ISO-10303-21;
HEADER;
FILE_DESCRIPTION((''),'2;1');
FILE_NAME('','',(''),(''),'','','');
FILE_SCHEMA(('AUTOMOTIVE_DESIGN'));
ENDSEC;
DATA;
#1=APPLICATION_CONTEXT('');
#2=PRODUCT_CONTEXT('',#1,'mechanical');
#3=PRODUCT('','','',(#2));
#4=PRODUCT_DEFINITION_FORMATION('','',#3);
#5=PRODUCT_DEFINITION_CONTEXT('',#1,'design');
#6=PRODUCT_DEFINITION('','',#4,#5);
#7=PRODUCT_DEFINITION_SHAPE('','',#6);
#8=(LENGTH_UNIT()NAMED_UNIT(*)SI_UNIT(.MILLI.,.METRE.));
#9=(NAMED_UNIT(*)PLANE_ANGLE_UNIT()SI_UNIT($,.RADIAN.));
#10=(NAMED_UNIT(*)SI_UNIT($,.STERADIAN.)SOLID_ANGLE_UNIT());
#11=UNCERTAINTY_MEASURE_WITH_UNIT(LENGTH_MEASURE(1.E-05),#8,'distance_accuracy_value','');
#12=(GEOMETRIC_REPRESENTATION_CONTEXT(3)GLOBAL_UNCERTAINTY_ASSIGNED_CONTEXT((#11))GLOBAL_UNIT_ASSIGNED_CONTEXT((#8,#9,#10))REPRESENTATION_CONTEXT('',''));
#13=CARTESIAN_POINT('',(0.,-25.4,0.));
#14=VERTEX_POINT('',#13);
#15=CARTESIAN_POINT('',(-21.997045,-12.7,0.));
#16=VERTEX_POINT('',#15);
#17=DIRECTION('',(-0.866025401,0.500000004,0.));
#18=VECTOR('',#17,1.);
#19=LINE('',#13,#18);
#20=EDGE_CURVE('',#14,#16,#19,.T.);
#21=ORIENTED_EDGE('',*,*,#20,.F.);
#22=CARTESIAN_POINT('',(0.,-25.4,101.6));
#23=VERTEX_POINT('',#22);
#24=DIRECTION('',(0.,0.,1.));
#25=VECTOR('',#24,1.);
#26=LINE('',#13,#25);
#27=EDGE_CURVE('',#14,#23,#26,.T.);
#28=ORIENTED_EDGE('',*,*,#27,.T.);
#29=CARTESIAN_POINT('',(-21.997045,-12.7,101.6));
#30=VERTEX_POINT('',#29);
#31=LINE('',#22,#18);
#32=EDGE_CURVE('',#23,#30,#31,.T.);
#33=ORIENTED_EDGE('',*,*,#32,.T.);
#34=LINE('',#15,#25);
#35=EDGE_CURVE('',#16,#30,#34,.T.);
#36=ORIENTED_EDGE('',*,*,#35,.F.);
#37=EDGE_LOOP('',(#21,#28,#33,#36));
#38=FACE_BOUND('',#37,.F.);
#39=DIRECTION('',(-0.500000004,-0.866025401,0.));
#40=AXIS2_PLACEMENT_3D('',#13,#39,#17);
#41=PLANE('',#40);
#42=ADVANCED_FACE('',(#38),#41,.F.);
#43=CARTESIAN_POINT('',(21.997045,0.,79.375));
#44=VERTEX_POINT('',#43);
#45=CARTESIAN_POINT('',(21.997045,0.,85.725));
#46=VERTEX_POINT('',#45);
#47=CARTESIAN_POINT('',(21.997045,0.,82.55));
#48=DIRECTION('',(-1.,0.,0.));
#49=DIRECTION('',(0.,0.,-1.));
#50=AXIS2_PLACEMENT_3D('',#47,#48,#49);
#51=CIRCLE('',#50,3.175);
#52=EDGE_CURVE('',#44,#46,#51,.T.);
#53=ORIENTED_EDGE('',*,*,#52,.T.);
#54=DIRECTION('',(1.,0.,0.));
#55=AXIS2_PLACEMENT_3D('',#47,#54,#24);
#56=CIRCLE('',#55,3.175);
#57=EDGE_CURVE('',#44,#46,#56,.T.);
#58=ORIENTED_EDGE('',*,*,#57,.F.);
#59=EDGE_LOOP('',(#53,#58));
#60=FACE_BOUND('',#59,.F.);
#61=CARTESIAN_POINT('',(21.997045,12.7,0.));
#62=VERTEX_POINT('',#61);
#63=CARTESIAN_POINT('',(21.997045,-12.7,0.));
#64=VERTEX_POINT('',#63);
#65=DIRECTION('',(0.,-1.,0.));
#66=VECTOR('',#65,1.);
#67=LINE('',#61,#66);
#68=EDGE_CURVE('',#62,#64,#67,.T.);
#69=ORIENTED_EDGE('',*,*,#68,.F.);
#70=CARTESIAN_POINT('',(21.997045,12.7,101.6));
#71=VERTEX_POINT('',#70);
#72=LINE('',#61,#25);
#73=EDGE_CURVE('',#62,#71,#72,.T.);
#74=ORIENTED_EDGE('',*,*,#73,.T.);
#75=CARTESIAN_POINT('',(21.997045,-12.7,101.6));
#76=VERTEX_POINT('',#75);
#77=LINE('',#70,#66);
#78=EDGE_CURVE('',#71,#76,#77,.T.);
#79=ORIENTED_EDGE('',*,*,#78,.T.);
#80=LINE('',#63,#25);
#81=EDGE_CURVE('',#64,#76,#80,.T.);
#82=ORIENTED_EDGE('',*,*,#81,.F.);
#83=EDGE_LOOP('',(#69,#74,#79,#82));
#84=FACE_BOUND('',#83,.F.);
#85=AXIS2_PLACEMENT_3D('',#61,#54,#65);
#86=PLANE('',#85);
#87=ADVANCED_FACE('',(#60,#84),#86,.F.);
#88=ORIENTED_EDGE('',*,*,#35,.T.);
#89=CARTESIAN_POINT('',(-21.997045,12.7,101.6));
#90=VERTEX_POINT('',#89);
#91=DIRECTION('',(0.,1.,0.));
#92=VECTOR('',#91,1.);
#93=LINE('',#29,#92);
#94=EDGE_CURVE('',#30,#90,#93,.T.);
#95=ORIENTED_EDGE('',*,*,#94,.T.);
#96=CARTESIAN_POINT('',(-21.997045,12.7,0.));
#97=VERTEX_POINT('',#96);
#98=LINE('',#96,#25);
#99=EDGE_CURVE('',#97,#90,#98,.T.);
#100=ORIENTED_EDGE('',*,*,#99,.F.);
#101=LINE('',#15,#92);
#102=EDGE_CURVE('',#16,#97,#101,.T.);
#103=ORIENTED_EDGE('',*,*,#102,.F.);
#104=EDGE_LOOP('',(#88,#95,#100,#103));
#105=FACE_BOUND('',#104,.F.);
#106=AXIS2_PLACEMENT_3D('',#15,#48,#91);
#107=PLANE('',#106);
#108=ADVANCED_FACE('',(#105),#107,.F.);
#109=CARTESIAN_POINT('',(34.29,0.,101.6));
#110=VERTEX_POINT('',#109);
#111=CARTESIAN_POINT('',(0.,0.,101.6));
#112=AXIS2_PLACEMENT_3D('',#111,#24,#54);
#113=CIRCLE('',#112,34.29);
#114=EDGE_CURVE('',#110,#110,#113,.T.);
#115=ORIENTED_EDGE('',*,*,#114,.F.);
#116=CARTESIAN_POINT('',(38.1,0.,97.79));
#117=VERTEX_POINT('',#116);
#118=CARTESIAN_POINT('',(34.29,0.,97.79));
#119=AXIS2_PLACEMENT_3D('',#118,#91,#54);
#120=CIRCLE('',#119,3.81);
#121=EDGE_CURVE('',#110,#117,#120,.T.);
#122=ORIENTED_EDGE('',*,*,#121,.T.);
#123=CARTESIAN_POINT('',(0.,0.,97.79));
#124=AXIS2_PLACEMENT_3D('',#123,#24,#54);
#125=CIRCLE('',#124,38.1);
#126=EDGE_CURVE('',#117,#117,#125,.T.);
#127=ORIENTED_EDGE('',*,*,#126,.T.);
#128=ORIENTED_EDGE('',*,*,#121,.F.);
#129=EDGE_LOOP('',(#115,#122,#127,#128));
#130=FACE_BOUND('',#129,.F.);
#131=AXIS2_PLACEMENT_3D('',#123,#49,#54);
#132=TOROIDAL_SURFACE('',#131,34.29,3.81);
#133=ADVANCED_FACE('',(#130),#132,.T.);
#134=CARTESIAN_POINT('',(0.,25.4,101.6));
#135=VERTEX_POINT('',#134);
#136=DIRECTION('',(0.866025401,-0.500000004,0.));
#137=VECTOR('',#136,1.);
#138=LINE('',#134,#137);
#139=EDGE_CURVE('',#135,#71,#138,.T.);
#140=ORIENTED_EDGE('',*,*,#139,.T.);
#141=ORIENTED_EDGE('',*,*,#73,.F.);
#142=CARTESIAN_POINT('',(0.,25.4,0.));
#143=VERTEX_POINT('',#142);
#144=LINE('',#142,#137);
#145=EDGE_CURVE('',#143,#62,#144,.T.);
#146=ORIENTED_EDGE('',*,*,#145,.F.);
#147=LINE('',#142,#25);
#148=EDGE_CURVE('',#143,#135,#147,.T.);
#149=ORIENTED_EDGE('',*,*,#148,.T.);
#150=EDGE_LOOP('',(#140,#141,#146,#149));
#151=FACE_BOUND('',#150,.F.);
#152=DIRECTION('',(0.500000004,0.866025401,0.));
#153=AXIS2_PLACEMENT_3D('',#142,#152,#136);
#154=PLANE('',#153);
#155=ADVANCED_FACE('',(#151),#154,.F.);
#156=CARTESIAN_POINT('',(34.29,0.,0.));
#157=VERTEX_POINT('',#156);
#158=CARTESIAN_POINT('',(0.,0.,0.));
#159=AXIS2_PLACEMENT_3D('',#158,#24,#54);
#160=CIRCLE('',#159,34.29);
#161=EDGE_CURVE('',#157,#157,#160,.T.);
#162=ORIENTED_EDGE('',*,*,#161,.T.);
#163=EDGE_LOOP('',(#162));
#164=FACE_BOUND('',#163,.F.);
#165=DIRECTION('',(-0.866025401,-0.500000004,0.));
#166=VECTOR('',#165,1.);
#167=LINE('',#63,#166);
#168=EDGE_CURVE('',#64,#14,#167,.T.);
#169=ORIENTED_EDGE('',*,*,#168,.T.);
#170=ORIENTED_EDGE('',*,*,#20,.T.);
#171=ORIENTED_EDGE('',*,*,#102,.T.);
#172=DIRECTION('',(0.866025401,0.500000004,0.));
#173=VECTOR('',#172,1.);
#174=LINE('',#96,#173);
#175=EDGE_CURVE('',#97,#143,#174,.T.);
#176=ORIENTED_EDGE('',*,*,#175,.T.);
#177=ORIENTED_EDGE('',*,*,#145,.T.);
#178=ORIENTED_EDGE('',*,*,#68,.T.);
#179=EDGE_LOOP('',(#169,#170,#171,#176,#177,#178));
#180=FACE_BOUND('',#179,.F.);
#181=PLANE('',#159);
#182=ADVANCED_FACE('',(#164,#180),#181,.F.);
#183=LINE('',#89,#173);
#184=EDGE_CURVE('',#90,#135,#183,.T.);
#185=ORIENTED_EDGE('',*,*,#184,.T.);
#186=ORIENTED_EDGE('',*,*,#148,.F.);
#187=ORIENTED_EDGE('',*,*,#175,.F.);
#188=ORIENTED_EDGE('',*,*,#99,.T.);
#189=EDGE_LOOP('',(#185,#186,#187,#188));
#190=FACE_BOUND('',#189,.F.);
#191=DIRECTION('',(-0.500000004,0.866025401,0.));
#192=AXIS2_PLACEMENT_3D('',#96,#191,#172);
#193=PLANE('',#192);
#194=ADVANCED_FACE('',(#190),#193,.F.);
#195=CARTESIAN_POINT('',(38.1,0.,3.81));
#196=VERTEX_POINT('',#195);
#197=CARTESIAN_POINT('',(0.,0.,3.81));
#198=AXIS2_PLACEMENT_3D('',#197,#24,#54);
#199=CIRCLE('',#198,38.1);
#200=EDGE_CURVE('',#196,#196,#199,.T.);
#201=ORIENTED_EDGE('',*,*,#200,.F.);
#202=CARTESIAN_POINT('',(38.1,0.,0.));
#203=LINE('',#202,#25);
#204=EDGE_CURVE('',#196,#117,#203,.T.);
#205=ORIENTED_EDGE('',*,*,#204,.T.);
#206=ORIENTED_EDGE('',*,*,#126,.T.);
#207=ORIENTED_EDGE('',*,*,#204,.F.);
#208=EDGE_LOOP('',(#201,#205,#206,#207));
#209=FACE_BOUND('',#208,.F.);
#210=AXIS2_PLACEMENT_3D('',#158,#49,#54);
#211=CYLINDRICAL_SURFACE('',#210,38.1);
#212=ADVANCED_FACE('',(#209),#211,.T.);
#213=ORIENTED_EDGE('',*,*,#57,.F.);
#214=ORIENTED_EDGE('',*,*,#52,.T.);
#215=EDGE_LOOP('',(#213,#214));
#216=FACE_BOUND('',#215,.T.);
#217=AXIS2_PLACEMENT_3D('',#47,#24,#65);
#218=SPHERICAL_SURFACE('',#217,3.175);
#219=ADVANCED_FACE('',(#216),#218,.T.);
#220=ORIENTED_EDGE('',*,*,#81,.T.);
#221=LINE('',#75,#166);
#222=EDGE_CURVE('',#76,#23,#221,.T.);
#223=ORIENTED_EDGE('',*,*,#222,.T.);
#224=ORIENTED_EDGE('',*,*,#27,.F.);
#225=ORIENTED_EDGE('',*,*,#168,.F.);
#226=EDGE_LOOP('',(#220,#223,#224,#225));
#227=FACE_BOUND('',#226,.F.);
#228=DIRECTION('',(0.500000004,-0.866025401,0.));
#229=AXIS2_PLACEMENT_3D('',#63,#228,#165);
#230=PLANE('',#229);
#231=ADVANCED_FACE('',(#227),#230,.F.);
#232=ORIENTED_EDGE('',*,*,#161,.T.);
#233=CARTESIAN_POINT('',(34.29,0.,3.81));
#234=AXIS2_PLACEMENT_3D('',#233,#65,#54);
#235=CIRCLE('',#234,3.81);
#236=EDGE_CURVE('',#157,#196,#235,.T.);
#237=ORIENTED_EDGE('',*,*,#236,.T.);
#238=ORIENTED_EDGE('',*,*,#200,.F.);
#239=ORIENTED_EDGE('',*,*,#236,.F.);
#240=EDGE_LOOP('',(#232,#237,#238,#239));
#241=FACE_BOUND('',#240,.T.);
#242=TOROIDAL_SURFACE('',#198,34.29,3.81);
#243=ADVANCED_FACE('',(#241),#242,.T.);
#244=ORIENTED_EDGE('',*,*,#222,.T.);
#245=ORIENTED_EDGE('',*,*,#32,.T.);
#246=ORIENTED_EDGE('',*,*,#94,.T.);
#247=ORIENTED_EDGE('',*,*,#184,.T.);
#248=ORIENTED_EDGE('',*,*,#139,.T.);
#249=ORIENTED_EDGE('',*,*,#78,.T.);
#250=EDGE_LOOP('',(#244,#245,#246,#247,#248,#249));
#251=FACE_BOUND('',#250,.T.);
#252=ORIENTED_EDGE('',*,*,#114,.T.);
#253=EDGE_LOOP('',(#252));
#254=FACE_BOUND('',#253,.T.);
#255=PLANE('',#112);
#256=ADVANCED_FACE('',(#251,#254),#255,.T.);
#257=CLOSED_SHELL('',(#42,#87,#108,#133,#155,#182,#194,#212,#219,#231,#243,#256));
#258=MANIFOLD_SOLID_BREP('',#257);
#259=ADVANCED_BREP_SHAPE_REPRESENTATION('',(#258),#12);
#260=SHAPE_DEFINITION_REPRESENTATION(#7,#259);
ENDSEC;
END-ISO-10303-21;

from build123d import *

# Parameters (mm, degrees)
F0_R     = 38.1
F1_DEPTH = 101.6
F4_R     = 3.81


with BuildPart() as f1:
    # F0 (on Top) → F1 (new body)
    with BuildSketch(Plane.XY):
        Circle(F0_R)
        Polygon((-21.997045, 12.7), (0, 25.4), (21.997045, 12.7), (21.997045, -12.7), (0, -25.4), (-21.997045, -12.7), align=None, mode=Mode.SUBTRACT)
    extrude(amount=F1_DEPTH)

    # F2 (on face) → F3 (revolve)
    with BuildSketch(Plane(origin=(21.997045, 0, 0), x_dir=(0, -1, 0), z_dir=(-1, 0, 0))):
        with BuildLine():
            Line((0, 85.725), (0, 79.375))
            ThreePointArc((0, 79.375), (3.175, 82.55), (0, 85.725))
        make_face()
    revolve(axis=Axis((21.997045, 0, 82.55), (0, 0, 1)))

    # F4
    f4_edges = [f1.edges().sort_by_distance(p)[0] for p in [
        (-38.1, 0, 0),
        (-38.1, 0, 101.6),
    ]]
    fillet(f4_edges, radius=F4_R)


solid = f1.part
